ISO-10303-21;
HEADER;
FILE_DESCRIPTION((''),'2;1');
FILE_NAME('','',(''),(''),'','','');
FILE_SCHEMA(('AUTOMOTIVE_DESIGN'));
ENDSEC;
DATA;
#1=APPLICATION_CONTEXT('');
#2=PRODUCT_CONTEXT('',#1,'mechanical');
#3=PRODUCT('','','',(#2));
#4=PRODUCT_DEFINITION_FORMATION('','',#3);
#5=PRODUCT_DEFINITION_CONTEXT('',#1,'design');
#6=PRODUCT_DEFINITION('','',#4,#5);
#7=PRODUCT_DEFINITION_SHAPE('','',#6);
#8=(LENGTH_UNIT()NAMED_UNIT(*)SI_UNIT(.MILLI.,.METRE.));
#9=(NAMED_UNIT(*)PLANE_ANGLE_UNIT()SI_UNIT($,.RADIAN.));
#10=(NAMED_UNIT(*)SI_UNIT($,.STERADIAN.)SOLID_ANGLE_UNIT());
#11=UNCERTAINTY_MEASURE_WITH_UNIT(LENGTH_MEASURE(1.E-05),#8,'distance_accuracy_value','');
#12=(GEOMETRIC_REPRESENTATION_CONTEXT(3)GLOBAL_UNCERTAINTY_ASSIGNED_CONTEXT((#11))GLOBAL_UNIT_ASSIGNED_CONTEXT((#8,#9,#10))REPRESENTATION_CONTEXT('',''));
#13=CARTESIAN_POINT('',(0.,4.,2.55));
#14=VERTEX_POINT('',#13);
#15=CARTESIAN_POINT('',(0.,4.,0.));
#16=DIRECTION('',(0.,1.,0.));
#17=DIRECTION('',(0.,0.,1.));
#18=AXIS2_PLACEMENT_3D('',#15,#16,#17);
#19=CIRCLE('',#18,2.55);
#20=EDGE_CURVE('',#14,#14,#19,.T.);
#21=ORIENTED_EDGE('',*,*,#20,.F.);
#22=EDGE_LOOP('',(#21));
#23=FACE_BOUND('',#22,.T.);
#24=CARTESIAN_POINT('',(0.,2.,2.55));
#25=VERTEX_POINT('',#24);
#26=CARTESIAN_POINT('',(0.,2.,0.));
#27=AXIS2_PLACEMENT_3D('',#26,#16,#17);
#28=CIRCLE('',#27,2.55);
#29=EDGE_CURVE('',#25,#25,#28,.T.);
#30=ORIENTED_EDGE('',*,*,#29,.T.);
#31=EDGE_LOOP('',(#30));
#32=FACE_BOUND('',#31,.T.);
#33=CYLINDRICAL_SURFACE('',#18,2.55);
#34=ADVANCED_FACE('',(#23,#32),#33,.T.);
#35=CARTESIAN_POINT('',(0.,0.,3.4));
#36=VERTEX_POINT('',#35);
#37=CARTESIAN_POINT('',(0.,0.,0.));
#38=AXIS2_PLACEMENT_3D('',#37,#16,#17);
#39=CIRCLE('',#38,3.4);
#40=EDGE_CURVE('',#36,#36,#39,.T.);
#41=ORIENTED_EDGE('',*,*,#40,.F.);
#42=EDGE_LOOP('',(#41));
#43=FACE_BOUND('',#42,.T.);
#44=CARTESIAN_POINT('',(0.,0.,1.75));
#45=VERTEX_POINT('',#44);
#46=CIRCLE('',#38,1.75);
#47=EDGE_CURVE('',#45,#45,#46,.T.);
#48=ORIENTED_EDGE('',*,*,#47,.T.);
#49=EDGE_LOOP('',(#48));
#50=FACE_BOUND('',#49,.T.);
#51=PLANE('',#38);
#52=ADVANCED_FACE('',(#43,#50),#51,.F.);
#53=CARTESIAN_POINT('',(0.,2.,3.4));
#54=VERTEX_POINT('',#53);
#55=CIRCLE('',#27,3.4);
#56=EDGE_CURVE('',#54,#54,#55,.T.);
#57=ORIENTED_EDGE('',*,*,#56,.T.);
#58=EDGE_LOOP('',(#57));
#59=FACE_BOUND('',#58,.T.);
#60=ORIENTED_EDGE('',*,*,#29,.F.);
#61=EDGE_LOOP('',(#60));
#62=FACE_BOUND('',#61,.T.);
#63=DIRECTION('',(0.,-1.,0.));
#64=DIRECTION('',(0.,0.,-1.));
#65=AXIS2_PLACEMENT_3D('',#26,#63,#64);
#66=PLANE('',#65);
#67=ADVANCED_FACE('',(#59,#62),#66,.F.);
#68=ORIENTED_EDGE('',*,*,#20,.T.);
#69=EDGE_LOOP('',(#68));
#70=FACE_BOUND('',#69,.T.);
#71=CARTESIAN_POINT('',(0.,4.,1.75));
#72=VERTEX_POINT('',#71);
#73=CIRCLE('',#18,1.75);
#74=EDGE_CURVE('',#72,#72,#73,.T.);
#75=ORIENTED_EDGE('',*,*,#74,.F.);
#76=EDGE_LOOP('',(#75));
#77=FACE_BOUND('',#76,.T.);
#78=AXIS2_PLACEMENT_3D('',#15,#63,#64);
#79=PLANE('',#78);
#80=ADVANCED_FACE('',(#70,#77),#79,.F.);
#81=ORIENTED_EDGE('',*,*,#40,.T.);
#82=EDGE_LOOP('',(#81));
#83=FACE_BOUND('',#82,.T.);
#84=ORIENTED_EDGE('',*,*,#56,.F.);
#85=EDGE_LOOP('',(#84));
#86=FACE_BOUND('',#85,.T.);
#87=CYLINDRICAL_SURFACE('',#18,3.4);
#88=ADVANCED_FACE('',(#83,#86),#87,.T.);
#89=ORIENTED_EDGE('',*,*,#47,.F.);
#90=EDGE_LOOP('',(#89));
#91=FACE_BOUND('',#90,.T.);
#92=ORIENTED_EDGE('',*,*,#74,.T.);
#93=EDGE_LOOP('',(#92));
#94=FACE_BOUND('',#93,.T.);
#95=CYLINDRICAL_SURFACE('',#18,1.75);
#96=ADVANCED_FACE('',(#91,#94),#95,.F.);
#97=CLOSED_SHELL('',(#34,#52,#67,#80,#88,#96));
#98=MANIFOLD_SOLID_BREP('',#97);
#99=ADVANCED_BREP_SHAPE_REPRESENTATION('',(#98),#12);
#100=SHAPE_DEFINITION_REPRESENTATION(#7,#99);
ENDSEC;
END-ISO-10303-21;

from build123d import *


with BuildPart() as part:
    # Skica1 → Rotovat1 (revolve)
    with BuildSketch(Plane.XY, mode=Mode.PRIVATE) as rotovat1_sk:
        Polygon((-3.4, 0), (-1.75, 0), (-1.75, 4), (-2.55, 4), (-2.55, 2), (-3.4, 2), align=None)
    revolve(rotovat1_sk.sketch.rotate(Axis((0, 4, 0), (0, -1, 0)), 270), axis=Axis((0, 4, 0), (0, -1, 0)))


solid = part.part
